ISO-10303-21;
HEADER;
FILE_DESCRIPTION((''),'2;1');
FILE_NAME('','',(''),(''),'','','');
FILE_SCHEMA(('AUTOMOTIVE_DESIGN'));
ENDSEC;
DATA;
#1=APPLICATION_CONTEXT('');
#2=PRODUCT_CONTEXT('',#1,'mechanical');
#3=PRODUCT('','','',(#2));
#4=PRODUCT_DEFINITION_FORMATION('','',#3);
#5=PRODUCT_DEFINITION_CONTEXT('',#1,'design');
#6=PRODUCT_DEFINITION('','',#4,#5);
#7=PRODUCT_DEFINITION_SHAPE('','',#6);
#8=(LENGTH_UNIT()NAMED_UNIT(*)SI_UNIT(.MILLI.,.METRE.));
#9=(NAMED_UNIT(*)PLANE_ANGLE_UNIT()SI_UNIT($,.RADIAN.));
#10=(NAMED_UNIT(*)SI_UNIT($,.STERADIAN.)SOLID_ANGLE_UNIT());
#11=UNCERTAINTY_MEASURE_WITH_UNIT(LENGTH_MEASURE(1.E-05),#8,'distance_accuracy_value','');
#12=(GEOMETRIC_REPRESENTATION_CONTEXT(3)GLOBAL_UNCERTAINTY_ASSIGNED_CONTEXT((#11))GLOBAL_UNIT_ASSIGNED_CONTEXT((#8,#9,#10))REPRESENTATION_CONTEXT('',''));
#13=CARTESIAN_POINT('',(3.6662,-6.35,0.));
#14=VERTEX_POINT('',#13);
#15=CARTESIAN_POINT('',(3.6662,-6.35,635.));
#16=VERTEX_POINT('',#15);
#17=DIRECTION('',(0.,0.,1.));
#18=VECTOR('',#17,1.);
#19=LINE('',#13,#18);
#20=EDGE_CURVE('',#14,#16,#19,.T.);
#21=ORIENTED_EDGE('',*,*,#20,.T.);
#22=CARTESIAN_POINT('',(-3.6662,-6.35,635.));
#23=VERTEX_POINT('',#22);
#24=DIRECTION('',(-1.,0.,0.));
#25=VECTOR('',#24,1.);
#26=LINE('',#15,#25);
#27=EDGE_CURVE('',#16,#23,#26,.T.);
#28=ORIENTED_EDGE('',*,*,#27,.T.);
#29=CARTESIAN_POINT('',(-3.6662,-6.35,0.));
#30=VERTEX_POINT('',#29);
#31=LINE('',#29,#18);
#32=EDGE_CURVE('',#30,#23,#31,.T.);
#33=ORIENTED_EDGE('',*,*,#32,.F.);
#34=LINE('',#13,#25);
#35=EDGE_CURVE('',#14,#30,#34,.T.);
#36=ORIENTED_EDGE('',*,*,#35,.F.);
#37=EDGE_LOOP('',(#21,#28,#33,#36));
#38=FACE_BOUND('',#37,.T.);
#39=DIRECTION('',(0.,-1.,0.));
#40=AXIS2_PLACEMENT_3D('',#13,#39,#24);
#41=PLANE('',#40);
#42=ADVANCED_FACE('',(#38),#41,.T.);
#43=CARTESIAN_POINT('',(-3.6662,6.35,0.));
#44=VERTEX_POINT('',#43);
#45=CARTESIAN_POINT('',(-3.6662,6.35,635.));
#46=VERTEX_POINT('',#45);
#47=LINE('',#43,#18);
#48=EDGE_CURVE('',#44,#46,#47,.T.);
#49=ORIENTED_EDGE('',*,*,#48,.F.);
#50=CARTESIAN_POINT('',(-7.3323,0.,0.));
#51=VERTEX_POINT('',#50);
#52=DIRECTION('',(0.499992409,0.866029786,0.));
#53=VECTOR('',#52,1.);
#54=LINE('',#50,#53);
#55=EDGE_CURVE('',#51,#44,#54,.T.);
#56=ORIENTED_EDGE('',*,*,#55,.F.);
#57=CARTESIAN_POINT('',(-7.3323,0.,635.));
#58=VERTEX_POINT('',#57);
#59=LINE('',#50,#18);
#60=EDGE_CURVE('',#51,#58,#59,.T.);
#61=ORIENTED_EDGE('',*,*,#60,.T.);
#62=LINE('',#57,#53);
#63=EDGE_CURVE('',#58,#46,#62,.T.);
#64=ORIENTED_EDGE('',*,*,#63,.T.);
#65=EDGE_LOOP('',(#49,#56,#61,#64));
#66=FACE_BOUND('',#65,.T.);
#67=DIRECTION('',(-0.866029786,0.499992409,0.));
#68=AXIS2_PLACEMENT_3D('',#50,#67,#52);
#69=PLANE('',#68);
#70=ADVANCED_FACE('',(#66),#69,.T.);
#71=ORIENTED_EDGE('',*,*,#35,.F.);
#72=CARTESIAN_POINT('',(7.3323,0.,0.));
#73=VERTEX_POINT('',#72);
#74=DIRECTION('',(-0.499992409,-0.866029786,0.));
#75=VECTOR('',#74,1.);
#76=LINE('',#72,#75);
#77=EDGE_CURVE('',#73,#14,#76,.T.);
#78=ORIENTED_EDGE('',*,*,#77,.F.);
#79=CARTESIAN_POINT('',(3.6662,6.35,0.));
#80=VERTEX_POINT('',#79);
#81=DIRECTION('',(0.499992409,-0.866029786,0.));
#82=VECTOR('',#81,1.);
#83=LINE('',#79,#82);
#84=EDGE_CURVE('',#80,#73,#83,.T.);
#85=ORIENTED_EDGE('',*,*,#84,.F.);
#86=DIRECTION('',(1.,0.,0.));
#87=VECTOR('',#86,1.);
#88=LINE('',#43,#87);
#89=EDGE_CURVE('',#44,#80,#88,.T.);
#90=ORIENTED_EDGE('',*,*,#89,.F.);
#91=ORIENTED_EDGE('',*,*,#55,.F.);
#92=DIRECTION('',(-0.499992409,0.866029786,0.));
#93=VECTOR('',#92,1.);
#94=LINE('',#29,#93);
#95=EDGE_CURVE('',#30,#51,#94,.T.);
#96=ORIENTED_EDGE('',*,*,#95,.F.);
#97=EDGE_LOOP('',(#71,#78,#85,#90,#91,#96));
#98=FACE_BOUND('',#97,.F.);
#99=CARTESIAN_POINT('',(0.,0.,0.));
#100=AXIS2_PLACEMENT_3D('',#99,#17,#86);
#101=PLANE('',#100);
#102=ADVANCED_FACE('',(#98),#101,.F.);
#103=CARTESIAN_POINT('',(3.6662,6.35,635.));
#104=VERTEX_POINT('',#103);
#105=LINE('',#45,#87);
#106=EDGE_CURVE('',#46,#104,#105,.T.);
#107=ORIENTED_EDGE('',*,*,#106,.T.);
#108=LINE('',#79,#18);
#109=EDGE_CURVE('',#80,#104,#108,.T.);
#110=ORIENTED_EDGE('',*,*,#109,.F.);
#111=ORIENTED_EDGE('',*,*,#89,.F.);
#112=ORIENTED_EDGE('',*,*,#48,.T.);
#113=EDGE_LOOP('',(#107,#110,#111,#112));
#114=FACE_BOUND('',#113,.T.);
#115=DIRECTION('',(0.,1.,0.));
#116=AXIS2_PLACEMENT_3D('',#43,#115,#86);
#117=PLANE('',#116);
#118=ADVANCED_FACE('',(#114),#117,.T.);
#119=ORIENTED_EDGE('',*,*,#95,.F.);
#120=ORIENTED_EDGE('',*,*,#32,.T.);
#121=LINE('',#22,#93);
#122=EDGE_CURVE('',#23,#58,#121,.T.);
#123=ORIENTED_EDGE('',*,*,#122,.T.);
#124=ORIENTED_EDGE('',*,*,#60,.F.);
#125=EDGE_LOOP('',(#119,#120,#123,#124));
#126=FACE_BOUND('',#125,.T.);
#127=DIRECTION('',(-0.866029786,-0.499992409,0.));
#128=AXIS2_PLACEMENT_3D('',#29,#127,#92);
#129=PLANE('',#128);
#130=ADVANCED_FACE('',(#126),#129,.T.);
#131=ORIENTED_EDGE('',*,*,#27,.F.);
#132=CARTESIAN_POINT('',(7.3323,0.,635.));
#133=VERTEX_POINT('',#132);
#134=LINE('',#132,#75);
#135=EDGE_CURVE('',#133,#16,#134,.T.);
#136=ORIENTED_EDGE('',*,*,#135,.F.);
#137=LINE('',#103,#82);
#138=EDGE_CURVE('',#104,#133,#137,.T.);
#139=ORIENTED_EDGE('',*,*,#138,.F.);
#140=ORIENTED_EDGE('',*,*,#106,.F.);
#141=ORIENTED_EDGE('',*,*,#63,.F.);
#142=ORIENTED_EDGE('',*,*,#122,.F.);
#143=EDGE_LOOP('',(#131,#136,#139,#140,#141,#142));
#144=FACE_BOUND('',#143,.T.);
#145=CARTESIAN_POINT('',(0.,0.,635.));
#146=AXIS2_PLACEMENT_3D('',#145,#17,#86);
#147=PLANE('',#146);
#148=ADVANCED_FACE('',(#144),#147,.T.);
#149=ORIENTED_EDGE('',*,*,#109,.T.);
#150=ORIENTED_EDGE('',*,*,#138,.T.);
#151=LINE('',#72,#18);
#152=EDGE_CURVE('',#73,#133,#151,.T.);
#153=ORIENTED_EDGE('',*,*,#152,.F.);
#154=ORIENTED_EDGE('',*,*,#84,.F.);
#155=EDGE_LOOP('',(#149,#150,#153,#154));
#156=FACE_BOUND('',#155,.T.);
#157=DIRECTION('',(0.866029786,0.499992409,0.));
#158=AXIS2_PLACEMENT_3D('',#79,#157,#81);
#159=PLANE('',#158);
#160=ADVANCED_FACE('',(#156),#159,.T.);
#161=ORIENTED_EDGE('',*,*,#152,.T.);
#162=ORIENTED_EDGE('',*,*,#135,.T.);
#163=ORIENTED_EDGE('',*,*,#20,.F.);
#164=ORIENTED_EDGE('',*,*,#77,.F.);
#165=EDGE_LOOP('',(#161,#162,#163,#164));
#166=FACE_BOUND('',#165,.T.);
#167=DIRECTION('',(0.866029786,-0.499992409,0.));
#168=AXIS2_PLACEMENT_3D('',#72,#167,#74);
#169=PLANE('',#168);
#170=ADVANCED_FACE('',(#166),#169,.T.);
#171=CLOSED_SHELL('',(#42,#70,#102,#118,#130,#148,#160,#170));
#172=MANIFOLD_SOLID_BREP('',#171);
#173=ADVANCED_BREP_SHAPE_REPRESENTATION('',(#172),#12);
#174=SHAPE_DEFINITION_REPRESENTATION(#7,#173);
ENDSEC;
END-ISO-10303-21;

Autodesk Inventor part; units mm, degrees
ref_plane "YZ Plane" through (0, 0, 0) normal (1, 0, 0) x (0, 1, 0)
ref_plane "XZ Plane" through (0, 0, 0) normal (0, 1, 0) x (-1, 0, 0)
ref_plane "XY Plane" through (0, 0, 0) normal (0, 0, 1) x (1, 0, 0)
sketch "Sketch1" plane through (0, 0, 0) normal (0, 0, 1) x (1, 0, 0)
  line L0 (3.6662, 6.35) -> (7.3323, 0)
  line L1 (7.3323, 0) -> (3.6662, -6.35)
  line L2 (3.6662, -6.35) -> (-3.6662, -6.35)
  line L3 (-3.6662, -6.35) -> (-7.3323, 0)
  line L4 (-7.3323, 0) -> (-3.6662, 6.35)
  line L5 (-3.6662, 6.35) -> (3.6662, 6.35)
  point P0 (0, 0)
  point P1 (0, 0)
  dimension "d0" = 12.7
extrude "Extrusion1" add sketch "Sketch1" along normal blind 635
properties part number "hex rod 25 inch" material "Steel, Alloy"
